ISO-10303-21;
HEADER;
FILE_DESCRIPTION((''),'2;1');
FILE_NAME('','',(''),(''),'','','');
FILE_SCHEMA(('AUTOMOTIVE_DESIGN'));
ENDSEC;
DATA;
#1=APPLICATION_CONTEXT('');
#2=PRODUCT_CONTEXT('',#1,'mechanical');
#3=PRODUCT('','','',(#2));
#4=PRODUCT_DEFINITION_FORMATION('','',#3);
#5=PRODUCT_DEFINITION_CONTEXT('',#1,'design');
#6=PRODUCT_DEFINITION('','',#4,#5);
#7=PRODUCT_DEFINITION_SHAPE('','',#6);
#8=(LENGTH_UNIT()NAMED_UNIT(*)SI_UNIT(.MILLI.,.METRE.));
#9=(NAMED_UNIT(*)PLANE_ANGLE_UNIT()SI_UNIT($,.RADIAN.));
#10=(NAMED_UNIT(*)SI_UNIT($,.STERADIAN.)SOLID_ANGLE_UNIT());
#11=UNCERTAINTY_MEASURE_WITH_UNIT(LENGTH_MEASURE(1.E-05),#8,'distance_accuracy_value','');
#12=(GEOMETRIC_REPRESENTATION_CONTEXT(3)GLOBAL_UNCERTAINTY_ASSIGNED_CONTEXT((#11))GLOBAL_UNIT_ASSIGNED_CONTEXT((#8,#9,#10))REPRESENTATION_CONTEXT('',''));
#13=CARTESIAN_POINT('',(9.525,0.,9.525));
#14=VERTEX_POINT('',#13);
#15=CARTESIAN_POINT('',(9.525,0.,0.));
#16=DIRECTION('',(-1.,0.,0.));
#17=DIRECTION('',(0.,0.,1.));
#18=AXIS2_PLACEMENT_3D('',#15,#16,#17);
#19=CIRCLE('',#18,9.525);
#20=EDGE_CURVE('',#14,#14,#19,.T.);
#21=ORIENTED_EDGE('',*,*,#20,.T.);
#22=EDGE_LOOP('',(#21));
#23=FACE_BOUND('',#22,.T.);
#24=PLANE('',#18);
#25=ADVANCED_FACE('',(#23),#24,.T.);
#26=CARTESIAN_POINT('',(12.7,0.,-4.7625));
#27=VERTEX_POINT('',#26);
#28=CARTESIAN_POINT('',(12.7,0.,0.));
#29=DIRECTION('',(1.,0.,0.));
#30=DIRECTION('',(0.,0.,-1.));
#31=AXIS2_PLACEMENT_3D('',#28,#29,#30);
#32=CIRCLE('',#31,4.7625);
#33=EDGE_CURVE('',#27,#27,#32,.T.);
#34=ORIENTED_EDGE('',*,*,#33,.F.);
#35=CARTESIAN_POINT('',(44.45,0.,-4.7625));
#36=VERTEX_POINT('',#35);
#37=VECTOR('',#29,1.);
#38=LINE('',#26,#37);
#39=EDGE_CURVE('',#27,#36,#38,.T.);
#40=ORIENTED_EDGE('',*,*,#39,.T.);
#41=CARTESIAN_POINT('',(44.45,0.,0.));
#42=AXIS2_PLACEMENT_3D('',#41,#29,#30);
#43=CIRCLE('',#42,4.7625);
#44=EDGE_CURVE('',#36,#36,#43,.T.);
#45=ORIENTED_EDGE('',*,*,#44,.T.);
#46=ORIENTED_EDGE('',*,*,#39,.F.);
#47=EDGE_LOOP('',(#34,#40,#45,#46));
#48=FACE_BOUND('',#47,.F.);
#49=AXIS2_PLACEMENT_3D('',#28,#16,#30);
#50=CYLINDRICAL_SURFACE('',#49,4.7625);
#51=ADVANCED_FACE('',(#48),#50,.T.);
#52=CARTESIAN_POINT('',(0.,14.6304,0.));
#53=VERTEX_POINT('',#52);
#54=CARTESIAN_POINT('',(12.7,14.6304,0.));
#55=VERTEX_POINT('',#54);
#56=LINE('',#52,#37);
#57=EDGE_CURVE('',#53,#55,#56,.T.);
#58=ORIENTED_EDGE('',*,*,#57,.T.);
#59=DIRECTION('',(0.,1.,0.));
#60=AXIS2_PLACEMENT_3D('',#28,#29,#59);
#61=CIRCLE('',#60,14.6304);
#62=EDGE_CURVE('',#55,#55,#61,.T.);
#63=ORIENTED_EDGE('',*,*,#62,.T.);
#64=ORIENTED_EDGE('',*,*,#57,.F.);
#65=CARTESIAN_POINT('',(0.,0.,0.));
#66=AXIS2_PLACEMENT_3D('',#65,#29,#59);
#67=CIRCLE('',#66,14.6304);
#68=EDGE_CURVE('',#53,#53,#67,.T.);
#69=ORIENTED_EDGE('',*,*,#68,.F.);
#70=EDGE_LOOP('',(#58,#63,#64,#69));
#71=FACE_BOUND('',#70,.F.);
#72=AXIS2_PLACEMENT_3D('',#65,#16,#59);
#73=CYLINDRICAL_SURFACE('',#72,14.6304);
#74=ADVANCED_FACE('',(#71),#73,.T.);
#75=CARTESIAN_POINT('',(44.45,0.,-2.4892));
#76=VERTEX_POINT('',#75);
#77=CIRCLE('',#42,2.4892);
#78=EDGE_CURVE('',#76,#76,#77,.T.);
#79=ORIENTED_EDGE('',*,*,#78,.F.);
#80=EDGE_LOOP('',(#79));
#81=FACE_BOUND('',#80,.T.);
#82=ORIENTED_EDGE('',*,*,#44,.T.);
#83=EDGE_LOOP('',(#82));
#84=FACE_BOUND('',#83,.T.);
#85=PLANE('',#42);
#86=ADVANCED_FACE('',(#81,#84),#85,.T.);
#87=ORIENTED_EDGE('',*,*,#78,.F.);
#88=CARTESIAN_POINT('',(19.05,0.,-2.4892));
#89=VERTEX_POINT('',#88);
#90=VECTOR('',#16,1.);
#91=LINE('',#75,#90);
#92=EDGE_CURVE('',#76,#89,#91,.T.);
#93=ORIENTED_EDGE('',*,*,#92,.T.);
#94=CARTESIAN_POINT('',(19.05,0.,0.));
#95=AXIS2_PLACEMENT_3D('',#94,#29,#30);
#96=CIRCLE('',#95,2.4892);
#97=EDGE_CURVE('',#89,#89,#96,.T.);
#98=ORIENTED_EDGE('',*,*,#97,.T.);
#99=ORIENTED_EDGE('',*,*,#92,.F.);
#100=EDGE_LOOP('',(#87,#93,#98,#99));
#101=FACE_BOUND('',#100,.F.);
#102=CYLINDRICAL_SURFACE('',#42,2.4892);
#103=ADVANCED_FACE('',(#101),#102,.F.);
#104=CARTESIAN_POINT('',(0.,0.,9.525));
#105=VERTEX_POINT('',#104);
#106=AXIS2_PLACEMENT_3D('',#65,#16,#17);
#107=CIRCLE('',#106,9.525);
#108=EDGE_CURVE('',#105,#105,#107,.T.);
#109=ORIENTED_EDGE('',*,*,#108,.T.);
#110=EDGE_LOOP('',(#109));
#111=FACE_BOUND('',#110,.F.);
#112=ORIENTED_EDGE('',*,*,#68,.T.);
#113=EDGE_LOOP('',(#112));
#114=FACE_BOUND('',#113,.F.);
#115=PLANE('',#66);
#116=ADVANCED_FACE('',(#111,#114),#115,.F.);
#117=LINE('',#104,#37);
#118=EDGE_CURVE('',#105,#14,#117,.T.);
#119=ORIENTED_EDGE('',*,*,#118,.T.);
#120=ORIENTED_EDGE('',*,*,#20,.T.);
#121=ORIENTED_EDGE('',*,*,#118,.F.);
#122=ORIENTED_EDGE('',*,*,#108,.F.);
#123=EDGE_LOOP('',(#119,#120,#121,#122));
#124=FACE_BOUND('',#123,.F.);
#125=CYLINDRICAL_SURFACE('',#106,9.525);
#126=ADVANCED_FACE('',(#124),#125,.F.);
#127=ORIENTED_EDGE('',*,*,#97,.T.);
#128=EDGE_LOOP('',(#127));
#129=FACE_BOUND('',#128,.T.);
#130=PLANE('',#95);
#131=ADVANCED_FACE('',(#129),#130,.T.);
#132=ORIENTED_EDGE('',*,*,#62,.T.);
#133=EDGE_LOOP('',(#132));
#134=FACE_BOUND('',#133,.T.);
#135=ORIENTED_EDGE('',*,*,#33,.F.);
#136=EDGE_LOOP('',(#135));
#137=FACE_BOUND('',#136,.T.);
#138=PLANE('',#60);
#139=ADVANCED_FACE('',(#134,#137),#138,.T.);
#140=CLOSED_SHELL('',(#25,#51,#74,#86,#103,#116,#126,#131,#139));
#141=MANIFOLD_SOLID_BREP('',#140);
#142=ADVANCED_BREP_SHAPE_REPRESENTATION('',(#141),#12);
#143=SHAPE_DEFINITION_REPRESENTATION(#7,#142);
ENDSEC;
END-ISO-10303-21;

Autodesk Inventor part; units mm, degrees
ref_plane "YZ Plane" through (0, 0, 0) normal (1, 0, 0) x (0, 1, 0)
ref_plane "XZ Plane" through (0, 0, 0) normal (0, 1, 0) x (-1, 0, 0)
ref_plane "XY Plane" through (0, 0, 0) normal (0, 0, 1) x (1, 0, 0)
sketch "Sketch3" plane through (0, 0, 0) normal (1, 0, 0) x (0, 1, 0)
  circle A0 centre (0, 0) radius 15.875 construction
  circle A1 centre (0, 0) radius 14.6304
  dimension "d8" = 31.75
  dimension "d9" = 1.2446
extrude "Extrusion3" add sketch "Sketch3" along normal blind 12.7
sketch "Sketch4" plane through (12.7, 0, 0) normal (1, 0, 0) x (0, 0, -1)
  circle A0 centre (0, 0) radius 4.7625
  dimension "d12" = 9.525
extrude "Extrusion4" add sketch "Sketch4" along normal blind 31.75
sketch "Sketch5" plane through (44.45, 0, 0) normal (1, 0, 0) x (0, 0, -1)
  circle A0 centre (0, 0) radius 2.4892
  dimension "d15" = 4.9784
extrude "Extrusion5" cut sketch "Sketch5" against normal blind 25.4
sketch "Sketch6" plane through (0, 0, 0) normal (-1, 0, 0) x (0, 0, 1)
  circle A0 centre (0, 0) radius 9.525
  dimension "d18" = 19.05
extrude "Extrusion6" cut sketch "Sketch6" against normal blind 9.525
properties part number "Long roller plug"
